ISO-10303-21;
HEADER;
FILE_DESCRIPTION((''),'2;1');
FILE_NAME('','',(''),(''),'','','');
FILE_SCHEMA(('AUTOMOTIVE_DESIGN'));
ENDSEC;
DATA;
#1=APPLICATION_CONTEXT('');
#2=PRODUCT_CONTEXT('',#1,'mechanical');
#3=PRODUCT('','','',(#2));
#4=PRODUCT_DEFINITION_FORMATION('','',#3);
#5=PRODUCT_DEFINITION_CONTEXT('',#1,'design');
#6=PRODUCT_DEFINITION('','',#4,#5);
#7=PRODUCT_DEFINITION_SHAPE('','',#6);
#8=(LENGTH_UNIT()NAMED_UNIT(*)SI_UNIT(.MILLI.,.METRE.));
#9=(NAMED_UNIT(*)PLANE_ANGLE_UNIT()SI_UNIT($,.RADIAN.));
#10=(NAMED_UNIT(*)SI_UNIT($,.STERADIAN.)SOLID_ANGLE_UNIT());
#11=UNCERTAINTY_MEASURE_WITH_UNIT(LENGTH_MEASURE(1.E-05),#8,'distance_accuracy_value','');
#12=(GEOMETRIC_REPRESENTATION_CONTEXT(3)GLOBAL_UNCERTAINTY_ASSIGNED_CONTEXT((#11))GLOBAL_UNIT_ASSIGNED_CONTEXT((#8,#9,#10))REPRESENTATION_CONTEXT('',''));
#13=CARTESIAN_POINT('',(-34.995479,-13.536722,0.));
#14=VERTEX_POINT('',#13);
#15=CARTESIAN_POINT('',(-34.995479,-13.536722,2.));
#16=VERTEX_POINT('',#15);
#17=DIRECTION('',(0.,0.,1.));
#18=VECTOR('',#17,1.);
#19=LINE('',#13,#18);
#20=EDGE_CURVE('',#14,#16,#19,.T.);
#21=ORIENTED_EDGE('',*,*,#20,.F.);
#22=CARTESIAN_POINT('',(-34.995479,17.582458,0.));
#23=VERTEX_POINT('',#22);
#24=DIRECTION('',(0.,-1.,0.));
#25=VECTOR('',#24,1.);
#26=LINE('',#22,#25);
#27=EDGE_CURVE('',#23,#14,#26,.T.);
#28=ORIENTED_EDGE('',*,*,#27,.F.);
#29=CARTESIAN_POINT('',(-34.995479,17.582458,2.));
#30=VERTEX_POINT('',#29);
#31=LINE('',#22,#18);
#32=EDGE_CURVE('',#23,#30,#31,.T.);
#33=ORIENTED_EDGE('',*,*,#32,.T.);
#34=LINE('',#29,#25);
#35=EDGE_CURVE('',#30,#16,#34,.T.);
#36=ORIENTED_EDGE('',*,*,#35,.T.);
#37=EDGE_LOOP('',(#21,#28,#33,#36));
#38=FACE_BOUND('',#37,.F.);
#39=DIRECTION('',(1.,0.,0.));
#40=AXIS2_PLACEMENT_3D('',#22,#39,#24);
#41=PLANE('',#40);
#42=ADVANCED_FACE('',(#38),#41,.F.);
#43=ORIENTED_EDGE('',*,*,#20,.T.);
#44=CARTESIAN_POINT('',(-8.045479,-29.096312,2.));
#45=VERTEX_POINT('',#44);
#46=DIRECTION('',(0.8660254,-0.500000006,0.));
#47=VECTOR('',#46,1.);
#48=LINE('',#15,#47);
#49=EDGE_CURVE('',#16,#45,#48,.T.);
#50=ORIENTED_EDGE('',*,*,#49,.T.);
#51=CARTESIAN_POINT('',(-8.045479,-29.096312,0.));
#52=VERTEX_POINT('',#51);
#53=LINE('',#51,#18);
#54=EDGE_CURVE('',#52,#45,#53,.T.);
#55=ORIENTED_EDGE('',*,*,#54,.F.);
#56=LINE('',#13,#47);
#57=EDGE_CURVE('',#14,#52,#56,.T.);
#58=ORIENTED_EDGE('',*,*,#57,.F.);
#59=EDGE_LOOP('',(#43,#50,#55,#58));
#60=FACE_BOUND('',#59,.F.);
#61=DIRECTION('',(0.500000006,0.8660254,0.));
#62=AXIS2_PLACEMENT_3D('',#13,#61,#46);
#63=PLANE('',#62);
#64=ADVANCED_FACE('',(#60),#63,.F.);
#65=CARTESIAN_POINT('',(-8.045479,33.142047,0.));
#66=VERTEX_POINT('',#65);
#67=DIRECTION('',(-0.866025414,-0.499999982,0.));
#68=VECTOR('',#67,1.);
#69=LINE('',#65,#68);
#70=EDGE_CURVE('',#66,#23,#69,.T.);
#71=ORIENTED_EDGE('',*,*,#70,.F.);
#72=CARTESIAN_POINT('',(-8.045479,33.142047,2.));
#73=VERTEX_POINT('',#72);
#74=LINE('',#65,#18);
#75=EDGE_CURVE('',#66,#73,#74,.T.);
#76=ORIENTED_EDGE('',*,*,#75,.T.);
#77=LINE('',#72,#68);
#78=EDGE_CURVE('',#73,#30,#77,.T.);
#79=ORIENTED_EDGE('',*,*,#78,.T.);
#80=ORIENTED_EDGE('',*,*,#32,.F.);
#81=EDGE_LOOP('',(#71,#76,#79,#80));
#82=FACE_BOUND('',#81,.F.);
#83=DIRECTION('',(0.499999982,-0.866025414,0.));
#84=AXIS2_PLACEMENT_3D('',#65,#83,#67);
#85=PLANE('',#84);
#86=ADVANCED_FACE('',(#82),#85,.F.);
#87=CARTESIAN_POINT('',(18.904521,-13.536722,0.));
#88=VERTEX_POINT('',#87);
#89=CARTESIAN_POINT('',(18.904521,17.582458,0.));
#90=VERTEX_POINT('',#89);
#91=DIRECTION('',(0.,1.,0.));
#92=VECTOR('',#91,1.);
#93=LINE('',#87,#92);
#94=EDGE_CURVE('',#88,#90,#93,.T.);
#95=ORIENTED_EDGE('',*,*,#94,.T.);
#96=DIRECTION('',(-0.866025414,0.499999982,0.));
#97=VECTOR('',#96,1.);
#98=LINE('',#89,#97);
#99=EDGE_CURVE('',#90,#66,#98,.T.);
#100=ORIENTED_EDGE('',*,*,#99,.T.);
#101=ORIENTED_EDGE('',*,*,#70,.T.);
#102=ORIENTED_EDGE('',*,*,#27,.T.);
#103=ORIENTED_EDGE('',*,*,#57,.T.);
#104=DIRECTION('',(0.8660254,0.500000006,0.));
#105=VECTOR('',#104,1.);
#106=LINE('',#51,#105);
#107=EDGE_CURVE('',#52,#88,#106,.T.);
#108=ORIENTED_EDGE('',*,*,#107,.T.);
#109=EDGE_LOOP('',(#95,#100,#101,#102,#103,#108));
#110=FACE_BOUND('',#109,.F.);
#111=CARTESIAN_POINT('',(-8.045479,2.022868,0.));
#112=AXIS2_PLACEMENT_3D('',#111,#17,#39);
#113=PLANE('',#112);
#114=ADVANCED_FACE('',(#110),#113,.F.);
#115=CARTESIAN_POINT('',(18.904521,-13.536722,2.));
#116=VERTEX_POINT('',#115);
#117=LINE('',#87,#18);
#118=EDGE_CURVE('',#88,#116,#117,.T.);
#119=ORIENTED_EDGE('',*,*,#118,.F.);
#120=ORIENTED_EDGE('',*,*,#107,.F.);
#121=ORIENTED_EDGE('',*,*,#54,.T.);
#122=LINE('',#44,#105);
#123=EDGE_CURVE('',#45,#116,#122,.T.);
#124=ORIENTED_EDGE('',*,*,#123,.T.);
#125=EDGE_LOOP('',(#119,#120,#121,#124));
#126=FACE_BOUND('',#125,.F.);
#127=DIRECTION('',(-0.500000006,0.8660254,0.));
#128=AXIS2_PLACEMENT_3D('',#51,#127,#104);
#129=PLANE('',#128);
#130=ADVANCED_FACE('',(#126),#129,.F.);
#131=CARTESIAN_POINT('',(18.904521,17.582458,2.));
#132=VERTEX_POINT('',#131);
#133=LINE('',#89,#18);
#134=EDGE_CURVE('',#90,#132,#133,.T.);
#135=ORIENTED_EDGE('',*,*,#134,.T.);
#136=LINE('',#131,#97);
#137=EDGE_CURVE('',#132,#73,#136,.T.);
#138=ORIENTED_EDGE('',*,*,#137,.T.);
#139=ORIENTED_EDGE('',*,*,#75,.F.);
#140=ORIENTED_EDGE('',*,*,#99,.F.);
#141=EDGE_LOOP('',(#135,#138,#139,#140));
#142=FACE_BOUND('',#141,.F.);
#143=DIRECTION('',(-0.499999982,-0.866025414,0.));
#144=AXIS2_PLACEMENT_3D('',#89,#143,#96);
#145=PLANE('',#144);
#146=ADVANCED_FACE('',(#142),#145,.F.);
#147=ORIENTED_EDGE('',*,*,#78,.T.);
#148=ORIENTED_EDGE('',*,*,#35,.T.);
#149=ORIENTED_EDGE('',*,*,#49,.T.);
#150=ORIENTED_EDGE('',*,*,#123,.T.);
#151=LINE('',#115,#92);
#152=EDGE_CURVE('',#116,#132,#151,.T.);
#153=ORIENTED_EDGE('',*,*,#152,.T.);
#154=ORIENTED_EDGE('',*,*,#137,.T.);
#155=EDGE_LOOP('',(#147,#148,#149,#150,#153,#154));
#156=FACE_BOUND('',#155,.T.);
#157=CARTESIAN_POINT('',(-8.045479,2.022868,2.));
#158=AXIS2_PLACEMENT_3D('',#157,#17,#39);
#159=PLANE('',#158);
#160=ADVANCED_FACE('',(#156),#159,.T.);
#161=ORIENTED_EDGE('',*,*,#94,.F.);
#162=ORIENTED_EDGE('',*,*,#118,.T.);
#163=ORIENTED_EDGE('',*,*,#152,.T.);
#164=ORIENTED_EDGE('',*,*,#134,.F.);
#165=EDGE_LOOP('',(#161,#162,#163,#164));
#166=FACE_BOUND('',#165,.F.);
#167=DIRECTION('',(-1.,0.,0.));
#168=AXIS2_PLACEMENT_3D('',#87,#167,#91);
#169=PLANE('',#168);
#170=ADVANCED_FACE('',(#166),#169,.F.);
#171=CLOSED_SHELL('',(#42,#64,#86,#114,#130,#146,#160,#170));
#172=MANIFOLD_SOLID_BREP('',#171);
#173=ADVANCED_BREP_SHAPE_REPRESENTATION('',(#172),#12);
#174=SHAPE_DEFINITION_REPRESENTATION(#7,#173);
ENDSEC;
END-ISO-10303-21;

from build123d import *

# Parameters (mm, degrees)
F0_R     = 22.365
F1_DEPTH = 2


with BuildPart() as f1:
    # F0 (on Top) → F1 (new body)
    with BuildSketch(Plane.XY):
        Polygon((18.904521, -13.536722), (18.904521, 17.582458), (-8.045479, 33.142047), (-34.995479, 17.582458), (-34.995479, -13.536722), (-8.045479, -29.096312), align=None)
        with Locations((-8.045479, 2.022868)):
            Circle(F0_R, mode=Mode.SUBTRACT)
        with Locations((-8.045479, 2.022868)):
            Circle(F0_R)
    extrude(amount=F1_DEPTH)


solid = f1.part
